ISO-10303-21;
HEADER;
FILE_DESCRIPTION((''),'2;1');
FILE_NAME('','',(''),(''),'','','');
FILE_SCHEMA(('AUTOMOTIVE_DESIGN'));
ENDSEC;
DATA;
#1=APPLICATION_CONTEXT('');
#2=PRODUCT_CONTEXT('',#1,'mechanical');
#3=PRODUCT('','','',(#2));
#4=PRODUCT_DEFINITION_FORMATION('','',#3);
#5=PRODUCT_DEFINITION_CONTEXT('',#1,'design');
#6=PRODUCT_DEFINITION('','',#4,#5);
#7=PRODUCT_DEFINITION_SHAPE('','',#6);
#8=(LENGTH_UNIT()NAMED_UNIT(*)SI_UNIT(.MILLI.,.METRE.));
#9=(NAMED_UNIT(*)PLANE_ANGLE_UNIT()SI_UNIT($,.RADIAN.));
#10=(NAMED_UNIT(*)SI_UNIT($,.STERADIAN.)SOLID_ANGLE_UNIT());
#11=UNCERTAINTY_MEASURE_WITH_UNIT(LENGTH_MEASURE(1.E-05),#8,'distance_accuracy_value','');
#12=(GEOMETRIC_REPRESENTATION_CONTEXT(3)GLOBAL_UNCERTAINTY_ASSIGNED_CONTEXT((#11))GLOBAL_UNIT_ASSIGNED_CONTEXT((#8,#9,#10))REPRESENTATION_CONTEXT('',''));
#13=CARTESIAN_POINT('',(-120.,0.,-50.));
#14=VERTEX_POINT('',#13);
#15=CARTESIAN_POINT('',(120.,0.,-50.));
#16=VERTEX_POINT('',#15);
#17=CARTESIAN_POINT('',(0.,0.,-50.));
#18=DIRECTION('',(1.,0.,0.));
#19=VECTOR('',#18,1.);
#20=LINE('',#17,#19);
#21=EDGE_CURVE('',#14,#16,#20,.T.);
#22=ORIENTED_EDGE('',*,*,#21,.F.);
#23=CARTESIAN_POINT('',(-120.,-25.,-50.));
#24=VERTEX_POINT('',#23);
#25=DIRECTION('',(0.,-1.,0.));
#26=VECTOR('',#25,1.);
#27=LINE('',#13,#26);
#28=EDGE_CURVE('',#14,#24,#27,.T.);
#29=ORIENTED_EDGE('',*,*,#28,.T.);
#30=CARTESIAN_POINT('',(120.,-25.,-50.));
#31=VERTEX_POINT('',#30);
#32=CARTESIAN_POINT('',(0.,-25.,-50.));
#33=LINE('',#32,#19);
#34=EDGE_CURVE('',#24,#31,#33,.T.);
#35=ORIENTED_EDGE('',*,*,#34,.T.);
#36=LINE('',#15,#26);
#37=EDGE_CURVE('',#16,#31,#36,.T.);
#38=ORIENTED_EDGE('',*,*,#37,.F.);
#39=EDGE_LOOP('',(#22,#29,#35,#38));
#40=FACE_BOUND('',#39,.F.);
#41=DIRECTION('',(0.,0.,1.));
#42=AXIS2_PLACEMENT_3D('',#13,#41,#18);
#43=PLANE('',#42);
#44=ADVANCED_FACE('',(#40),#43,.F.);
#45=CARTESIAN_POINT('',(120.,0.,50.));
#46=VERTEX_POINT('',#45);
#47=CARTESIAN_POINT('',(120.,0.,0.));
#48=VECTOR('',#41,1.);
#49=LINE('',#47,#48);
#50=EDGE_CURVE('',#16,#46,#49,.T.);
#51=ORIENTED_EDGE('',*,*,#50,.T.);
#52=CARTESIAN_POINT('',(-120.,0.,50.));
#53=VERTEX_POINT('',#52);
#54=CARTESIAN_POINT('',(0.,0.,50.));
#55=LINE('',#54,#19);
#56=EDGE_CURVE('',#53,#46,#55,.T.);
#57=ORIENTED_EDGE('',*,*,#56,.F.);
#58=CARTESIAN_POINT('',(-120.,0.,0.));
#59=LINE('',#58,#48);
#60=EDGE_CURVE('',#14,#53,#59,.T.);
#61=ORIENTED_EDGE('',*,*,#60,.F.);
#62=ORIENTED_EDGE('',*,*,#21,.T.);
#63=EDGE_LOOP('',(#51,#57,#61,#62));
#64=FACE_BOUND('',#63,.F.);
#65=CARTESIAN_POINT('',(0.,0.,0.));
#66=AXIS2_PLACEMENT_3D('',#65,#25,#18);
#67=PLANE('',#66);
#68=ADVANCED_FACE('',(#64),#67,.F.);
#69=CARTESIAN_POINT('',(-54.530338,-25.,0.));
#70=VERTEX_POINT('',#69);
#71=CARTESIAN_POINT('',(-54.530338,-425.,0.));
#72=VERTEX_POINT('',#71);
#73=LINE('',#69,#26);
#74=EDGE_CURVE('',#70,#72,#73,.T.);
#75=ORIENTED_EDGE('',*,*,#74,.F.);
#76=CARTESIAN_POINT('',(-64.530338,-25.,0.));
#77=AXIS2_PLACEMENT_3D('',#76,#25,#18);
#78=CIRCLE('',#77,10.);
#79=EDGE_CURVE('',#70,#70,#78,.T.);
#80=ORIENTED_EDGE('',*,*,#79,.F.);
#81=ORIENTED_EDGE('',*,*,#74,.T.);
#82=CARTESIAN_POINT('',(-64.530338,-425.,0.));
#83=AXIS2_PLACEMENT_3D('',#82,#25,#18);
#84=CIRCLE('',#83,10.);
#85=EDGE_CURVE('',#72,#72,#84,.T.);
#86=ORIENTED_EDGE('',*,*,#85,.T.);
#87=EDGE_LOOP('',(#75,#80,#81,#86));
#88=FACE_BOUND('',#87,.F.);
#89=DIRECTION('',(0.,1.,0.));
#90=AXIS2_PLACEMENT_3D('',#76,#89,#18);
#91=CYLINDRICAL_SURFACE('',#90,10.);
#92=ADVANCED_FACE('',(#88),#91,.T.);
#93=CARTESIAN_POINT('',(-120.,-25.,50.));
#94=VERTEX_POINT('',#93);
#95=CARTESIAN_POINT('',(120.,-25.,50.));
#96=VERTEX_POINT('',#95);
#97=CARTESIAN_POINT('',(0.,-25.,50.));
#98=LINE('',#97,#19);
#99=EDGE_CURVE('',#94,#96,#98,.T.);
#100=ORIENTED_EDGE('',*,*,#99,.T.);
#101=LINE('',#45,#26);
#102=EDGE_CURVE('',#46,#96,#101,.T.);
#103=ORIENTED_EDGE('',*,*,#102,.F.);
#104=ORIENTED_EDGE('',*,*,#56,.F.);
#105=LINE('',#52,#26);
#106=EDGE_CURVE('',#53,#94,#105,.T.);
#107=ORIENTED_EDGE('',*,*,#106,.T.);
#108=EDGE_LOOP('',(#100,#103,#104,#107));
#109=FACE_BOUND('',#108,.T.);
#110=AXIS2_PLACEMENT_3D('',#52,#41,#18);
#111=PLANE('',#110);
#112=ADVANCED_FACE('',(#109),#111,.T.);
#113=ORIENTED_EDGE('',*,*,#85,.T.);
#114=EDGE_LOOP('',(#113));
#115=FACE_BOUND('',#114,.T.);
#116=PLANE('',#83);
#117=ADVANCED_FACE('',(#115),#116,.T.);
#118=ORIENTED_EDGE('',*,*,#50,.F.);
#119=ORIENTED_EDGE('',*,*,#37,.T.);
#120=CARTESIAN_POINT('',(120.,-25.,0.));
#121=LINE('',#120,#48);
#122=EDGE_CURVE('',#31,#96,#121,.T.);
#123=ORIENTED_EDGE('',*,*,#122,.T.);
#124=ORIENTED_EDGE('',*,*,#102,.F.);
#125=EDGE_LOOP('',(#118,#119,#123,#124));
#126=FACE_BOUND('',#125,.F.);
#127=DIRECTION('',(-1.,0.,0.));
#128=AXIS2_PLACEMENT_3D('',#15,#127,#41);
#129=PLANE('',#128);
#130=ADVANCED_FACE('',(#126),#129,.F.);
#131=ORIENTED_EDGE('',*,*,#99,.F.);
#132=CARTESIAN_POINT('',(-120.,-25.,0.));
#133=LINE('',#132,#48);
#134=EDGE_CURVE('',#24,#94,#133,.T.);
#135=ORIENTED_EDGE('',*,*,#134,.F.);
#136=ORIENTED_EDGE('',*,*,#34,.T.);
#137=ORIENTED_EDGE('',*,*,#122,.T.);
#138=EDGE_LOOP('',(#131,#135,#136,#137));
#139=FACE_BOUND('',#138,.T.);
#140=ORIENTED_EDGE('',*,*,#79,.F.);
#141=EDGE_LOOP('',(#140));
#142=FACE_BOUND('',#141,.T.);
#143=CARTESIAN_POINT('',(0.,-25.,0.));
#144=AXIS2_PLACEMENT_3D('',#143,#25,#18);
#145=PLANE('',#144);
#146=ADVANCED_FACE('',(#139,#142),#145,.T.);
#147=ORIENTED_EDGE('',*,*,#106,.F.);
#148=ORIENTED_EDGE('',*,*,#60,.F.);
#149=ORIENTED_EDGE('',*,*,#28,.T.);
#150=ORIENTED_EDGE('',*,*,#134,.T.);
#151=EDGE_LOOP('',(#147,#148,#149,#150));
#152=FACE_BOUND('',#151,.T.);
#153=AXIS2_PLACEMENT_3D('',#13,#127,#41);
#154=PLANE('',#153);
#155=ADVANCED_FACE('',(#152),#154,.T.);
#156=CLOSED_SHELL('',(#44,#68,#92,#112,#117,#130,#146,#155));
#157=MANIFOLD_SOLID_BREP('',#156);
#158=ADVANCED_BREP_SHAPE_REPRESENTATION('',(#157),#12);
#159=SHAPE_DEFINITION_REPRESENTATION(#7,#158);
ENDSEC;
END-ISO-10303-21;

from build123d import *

# Parameters (mm, degrees)
F0_W     = 240
F0_H     = 100
F1_DEPTH = 25
F2_R     = 10
F3_DEPTH = 400


with BuildPart() as f1:
    # F0 (on Front) → F1 (new body)
    with BuildSketch(Plane.XZ):
        Rectangle(F0_W, F0_H)
    extrude(amount=F1_DEPTH)

    # F2 (on face) → F3 (join)
    with BuildSketch(Plane.XZ.offset(25)):
        with Locations((-64.530338, 0)):
            Circle(F2_R)
    extrude(amount=F3_DEPTH)


solid = f1.part
